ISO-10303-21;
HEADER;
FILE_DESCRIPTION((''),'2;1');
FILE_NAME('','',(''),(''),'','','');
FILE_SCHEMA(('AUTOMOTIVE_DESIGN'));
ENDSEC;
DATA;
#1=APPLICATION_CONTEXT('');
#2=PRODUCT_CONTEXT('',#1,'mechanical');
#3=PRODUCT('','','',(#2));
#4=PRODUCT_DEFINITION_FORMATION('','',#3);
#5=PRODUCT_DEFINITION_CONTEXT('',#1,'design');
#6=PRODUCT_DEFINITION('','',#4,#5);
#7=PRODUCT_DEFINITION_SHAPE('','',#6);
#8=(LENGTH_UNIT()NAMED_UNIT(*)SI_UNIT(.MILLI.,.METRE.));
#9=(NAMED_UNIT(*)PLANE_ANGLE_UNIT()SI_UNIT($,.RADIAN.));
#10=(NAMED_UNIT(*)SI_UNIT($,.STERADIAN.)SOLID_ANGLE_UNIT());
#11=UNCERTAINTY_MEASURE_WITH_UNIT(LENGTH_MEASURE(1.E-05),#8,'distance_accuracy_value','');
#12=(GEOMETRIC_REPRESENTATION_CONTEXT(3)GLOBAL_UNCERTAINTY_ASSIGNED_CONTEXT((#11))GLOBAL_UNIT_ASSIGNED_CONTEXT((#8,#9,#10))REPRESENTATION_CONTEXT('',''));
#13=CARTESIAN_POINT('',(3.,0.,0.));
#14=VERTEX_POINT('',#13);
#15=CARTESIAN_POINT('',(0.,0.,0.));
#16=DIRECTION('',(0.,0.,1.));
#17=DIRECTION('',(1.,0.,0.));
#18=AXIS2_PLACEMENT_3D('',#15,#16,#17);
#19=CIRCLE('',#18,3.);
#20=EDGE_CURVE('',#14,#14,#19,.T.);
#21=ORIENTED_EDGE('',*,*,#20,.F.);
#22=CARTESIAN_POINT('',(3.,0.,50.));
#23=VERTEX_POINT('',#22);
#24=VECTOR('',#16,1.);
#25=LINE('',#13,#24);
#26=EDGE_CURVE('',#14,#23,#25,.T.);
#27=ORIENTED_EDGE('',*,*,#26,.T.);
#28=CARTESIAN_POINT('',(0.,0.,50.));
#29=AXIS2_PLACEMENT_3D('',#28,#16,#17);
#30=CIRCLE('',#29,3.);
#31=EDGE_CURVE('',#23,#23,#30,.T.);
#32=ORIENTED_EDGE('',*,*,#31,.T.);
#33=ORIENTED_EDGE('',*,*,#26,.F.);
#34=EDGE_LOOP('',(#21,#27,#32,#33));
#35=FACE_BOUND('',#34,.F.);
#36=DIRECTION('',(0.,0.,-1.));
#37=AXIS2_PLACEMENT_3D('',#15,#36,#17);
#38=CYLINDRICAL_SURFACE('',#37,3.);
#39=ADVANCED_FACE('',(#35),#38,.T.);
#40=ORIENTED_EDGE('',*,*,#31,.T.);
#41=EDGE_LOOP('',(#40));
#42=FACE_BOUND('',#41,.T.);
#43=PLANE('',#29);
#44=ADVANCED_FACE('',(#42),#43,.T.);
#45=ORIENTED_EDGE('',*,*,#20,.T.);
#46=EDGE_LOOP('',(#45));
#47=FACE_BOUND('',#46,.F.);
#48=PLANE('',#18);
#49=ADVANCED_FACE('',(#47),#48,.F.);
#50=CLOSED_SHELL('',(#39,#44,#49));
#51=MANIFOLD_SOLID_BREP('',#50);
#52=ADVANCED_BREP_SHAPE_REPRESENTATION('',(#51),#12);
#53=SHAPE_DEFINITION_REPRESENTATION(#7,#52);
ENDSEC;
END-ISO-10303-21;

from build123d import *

# Parameters (mm, degrees)
ESQUISSE1_R        = 3
BOSS_EXTRU_1_DEPTH = 50


with BuildPart() as part:
    # Esquisse1 → Boss.-Extru.1 (new body)
    with BuildSketch(Plane.XY):
        Circle(ESQUISSE1_R)
    extrude(amount=BOSS_EXTRU_1_DEPTH)


solid = part.part
